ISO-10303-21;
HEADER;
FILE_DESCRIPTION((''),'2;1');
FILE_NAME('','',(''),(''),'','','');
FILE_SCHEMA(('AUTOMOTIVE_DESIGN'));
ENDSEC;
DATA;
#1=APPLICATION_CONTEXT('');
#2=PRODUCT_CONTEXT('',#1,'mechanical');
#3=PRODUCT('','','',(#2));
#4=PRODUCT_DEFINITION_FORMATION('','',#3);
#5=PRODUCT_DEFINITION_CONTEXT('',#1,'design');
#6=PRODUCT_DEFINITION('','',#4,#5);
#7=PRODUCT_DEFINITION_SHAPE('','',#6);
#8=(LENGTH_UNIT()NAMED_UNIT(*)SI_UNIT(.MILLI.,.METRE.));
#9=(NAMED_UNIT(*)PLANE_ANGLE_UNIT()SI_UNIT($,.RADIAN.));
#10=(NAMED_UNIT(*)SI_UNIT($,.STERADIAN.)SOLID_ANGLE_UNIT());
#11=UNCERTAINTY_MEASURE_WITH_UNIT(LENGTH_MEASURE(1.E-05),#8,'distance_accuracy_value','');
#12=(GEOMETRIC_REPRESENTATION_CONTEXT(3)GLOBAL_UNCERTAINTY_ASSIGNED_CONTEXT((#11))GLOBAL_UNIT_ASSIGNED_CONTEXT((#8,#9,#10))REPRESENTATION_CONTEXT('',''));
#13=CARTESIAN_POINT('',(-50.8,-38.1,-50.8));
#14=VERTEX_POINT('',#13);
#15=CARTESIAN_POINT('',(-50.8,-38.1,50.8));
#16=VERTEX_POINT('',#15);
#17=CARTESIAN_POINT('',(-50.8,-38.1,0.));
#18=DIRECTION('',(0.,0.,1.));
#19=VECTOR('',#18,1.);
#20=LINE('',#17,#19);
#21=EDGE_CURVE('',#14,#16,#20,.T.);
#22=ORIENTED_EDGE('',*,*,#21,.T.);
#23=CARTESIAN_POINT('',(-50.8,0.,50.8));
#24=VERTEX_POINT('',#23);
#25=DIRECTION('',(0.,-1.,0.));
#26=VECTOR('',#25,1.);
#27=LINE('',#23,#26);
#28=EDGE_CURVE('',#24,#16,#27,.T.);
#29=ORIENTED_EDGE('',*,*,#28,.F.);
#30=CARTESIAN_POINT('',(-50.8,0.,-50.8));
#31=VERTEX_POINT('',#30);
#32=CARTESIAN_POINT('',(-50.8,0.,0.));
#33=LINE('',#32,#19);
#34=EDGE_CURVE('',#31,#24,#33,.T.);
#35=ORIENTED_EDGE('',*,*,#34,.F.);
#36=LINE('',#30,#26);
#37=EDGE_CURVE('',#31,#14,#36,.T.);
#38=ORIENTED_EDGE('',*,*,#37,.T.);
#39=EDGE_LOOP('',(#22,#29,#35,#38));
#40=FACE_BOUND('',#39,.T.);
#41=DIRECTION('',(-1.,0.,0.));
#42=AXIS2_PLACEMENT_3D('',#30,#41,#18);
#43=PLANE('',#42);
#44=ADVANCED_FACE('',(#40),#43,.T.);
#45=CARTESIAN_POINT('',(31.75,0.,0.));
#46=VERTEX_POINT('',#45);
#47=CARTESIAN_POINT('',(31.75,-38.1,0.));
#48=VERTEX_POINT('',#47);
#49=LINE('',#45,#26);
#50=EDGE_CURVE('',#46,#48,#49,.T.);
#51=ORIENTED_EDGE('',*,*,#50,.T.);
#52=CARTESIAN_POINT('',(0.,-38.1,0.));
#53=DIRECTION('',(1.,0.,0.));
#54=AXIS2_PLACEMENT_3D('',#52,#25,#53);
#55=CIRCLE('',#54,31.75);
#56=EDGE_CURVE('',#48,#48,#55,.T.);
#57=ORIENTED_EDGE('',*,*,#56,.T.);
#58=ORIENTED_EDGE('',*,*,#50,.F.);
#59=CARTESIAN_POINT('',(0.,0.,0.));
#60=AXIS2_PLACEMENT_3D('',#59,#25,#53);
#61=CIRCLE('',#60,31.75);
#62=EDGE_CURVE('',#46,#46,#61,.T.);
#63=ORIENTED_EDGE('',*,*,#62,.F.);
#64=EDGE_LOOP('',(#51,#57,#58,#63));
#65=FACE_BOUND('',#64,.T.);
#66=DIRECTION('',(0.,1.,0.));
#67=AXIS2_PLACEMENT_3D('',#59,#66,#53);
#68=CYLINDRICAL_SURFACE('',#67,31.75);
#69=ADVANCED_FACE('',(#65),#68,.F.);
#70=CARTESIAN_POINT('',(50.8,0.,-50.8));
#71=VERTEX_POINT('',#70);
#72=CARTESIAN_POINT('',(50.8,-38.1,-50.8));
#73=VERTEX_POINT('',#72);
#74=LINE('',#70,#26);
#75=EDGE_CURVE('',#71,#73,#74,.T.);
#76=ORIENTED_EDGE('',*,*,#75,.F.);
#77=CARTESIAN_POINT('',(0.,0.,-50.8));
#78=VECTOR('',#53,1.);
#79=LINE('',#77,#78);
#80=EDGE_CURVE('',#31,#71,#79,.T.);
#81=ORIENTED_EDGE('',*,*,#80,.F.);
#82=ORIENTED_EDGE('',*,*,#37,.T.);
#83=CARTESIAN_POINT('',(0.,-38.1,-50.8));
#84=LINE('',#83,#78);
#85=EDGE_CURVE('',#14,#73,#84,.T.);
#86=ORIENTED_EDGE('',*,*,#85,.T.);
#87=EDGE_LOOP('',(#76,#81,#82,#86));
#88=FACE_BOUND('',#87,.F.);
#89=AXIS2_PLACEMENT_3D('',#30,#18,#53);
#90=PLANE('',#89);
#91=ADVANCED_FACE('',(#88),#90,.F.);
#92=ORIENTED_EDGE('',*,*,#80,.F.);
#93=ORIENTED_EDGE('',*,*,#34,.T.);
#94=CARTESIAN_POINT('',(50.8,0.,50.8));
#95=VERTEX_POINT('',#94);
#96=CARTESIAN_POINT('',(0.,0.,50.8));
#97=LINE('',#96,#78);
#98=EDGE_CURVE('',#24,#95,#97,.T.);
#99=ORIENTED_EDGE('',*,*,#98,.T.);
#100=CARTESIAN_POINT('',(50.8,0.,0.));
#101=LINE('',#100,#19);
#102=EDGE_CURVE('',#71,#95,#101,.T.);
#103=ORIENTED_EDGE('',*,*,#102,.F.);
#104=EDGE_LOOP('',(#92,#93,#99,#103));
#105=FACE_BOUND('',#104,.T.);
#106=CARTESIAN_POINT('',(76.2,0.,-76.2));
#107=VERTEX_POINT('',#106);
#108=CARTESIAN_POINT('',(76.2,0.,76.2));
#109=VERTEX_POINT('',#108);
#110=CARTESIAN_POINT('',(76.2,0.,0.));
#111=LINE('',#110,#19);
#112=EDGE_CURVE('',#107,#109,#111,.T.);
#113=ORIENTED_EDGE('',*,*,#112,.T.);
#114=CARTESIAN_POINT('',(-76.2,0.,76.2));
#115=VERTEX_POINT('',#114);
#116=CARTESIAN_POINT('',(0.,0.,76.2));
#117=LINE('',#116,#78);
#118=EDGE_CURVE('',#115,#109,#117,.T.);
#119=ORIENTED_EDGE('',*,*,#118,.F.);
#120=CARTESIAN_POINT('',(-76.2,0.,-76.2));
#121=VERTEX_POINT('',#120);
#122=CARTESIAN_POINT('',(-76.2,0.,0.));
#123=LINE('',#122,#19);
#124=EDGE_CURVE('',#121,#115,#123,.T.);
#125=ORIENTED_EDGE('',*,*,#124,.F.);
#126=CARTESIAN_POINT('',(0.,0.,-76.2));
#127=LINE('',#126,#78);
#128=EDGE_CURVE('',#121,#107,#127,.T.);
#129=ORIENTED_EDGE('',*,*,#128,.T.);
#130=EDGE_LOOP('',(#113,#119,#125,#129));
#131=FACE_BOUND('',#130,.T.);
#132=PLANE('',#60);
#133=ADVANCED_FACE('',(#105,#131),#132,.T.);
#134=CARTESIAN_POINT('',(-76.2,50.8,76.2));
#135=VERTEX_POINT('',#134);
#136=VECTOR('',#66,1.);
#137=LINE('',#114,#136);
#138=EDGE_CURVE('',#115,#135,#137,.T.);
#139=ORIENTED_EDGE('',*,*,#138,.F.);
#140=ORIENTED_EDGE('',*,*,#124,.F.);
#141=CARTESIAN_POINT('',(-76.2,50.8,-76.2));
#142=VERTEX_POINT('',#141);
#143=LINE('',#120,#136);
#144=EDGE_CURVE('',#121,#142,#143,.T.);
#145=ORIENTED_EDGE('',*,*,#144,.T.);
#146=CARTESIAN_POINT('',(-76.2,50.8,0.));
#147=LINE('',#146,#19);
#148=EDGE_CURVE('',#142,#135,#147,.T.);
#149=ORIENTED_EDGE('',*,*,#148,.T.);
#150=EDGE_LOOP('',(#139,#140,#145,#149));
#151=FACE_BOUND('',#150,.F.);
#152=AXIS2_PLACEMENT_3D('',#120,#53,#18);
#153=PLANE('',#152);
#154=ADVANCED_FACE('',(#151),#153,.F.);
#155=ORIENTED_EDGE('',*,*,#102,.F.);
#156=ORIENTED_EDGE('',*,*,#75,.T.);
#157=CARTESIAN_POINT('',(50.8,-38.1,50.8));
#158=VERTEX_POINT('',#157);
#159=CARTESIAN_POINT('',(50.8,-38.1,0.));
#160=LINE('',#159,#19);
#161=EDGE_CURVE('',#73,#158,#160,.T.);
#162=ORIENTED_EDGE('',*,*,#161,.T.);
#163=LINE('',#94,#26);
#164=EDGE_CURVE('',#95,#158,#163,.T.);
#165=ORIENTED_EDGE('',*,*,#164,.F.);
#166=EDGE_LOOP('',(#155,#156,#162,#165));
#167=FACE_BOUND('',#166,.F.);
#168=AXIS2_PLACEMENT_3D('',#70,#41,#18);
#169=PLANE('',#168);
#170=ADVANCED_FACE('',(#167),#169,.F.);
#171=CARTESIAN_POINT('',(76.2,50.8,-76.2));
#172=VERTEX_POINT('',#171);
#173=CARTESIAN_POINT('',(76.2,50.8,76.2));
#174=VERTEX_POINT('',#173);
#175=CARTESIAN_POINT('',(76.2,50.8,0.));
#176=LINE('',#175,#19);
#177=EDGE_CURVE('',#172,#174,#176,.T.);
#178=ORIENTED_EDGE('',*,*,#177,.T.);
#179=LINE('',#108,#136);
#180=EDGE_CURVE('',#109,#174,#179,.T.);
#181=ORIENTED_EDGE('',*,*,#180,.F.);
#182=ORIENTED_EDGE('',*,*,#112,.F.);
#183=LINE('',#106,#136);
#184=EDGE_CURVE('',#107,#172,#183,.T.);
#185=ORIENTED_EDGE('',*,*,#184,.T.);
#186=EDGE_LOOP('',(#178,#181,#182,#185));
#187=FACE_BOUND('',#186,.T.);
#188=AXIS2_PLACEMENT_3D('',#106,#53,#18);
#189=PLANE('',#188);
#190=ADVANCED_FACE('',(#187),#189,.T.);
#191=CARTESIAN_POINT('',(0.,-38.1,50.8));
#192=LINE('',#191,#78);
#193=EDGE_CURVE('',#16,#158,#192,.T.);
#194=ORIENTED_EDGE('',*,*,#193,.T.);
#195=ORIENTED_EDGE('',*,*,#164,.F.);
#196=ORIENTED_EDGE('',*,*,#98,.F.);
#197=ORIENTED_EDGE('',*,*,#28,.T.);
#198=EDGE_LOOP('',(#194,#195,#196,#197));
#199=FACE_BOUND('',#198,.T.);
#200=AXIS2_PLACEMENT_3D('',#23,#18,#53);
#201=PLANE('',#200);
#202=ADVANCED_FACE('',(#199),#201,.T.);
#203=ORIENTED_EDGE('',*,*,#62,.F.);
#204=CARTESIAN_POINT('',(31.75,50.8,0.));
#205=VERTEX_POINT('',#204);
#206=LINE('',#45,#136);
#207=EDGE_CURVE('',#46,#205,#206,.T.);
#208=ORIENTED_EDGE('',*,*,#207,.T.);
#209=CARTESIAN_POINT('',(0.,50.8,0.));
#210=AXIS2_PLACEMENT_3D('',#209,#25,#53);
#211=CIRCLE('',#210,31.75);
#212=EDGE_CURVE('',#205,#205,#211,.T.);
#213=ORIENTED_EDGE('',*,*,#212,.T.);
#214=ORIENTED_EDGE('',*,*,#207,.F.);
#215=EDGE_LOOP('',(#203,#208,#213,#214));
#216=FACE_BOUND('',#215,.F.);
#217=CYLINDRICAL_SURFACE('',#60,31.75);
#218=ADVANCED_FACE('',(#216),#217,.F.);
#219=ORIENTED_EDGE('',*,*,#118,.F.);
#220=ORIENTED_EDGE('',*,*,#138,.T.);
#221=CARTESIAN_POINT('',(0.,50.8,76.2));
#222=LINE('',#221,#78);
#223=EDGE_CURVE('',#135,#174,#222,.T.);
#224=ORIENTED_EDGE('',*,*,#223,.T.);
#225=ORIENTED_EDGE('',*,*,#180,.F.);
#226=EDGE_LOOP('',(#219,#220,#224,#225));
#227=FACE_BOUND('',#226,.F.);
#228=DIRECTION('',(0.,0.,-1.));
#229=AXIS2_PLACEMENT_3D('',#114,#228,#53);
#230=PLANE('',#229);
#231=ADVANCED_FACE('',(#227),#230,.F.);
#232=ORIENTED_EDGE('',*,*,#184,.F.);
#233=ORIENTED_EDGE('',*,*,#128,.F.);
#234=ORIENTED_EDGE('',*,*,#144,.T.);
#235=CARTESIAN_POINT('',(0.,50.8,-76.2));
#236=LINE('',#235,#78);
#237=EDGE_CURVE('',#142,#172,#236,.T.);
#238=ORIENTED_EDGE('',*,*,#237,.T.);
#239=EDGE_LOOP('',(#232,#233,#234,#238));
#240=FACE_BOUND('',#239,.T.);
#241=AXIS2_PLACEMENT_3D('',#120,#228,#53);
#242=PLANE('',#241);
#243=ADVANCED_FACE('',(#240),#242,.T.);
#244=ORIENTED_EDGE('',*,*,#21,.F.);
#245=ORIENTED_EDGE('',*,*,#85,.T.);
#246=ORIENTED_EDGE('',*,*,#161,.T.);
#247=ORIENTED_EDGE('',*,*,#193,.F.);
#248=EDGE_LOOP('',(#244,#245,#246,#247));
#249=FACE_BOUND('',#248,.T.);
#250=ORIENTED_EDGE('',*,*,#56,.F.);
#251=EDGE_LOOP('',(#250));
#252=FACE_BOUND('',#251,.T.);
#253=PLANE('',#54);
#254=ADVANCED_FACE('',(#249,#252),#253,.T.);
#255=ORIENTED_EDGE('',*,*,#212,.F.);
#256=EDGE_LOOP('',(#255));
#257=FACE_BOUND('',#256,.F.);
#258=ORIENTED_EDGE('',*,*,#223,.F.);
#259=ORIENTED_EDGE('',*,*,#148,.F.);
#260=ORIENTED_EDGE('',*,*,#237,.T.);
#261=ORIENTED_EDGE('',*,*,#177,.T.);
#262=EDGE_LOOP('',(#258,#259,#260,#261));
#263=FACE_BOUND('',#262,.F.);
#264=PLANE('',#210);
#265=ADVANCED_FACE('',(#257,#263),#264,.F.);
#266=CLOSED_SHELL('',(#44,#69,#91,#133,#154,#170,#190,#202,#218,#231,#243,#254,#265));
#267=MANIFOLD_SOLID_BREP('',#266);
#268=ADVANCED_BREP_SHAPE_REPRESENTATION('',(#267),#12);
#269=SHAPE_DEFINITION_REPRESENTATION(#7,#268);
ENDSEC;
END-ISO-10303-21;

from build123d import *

# Parameters (mm, degrees)
F0_W     = 101.6
F0_H     = 101.6
F0_R     = 31.75
F1_DEPTH = 38.1
F0_W_2   = 152.4
F0_H_2   = 152.4
F2_DEPTH = 50.8


with BuildPart() as f1:
    # F0 (on Front) → F1 (new body)
    with BuildSketch(Plane.XZ):
        Rectangle(F0_W, F0_H)
        Circle(F0_R, mode=Mode.SUBTRACT)
    extrude(amount=F1_DEPTH)

    # F0 (on Front) → F2 (join)
    with BuildSketch(Plane.XZ):
        Rectangle(F0_W_2, F0_H_2)
        Rectangle(F0_W, F0_H, mode=Mode.SUBTRACT)
        Rectangle(F0_W, F0_H)
        Circle(F0_R, mode=Mode.SUBTRACT)
    extrude(amount=-F2_DEPTH)


solid = f1.part
